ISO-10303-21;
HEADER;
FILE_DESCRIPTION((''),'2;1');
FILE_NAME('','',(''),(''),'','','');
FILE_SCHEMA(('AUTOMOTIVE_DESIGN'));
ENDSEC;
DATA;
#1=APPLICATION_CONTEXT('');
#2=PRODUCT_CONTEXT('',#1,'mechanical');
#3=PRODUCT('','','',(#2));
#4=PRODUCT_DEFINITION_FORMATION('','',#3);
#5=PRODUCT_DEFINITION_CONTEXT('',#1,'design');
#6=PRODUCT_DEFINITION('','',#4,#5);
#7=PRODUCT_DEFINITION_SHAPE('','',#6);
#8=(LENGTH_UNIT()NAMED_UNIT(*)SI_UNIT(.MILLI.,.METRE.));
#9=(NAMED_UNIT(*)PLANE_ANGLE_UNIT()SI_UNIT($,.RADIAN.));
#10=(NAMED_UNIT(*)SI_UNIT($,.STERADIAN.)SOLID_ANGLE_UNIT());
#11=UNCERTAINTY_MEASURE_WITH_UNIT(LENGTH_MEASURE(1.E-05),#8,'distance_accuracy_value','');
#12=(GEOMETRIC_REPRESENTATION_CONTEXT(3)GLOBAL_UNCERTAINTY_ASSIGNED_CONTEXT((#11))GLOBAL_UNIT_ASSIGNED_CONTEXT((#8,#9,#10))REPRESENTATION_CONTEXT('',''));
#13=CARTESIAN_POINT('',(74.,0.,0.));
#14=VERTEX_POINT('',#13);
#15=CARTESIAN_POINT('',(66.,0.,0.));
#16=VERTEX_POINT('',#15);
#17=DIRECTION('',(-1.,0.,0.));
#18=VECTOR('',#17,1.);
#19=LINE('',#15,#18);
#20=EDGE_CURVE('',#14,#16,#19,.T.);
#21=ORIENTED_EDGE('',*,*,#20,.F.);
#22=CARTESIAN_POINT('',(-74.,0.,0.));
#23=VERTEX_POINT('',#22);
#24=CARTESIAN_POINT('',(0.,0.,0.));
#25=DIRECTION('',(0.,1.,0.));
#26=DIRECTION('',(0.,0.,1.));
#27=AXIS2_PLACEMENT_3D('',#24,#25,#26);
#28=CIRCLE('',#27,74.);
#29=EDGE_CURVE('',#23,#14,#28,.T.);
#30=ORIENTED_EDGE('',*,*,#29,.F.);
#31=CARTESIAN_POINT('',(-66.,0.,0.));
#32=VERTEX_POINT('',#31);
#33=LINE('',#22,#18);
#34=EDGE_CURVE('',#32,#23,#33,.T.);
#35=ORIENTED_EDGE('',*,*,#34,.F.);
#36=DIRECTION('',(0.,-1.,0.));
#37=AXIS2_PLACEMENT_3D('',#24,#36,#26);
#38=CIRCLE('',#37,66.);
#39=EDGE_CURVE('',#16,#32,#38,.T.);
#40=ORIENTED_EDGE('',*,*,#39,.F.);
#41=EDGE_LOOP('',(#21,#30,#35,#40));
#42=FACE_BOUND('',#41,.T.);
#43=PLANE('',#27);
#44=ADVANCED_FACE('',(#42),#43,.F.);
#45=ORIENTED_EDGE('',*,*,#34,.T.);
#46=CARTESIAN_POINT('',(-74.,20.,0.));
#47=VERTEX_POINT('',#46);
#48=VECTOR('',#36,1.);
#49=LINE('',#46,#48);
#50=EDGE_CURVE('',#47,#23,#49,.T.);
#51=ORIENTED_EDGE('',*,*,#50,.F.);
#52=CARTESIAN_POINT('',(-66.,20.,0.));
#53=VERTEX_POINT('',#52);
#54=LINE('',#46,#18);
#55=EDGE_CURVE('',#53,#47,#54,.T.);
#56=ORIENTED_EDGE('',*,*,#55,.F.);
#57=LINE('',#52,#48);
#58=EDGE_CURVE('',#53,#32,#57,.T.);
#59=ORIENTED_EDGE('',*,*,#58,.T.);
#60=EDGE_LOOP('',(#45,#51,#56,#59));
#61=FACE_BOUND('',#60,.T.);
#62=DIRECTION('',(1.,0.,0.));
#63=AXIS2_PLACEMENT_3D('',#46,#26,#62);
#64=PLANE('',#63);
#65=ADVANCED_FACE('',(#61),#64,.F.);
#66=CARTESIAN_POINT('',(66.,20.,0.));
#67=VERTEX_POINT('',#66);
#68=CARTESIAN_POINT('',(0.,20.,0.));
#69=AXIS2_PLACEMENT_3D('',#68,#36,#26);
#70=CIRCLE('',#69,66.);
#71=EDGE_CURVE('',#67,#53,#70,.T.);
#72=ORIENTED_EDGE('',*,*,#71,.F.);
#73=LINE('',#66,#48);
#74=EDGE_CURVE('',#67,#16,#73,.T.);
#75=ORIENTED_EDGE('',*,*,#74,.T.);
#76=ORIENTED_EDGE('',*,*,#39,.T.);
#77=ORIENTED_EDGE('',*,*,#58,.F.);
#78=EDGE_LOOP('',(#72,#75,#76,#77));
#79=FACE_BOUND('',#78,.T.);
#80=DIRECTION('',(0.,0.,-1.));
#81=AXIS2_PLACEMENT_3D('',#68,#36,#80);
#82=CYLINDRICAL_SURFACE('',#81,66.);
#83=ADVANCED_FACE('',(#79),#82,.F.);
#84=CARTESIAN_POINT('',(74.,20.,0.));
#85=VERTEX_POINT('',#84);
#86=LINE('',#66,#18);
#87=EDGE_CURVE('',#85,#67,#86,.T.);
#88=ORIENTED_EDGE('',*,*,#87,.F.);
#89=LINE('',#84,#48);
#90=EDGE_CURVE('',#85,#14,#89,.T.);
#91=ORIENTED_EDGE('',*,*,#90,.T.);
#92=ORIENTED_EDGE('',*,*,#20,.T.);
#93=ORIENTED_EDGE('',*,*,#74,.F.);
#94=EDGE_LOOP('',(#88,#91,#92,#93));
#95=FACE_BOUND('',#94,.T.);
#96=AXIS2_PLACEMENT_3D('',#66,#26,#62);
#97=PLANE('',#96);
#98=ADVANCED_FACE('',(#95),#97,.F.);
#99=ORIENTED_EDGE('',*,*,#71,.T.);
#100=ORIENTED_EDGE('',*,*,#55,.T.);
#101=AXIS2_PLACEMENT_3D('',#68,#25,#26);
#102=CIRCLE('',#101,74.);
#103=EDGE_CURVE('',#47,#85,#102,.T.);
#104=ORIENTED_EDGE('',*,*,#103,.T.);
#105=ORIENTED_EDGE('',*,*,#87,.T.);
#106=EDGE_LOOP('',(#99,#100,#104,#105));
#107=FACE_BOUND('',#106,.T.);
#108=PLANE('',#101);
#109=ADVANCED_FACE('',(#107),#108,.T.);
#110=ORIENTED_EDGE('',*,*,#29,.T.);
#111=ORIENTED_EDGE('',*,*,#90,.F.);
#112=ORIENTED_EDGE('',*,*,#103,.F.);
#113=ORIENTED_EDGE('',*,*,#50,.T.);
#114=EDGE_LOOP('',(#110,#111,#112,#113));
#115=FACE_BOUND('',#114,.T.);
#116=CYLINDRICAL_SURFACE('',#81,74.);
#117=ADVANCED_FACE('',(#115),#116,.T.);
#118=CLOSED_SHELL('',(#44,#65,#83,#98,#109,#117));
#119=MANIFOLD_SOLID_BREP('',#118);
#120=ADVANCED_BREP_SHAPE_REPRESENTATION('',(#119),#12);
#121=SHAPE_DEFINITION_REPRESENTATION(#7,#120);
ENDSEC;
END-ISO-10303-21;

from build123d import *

# Parameters (mm, degrees)
EXTRUDE_1_DEPTH = 20


with BuildPart() as part:
    # 草图1 → 凸台-拉伸1 (new body)
    with BuildSketch(Plane(origin=(0, 0, 0), x_dir=(1, 0, 0), z_dir=(0, 1, 0))):
        with BuildLine():
            Line((-74, 0), (-66, 0))
            ThreePointArc((-66, 0), (0, -66), (66, 0))
            Line((66, 0), (74, 0))
            ThreePointArc((74, 0), (0, -74), (-74, 0))
        make_face()
    extrude(amount=EXTRUDE_1_DEPTH)


solid = part.part
